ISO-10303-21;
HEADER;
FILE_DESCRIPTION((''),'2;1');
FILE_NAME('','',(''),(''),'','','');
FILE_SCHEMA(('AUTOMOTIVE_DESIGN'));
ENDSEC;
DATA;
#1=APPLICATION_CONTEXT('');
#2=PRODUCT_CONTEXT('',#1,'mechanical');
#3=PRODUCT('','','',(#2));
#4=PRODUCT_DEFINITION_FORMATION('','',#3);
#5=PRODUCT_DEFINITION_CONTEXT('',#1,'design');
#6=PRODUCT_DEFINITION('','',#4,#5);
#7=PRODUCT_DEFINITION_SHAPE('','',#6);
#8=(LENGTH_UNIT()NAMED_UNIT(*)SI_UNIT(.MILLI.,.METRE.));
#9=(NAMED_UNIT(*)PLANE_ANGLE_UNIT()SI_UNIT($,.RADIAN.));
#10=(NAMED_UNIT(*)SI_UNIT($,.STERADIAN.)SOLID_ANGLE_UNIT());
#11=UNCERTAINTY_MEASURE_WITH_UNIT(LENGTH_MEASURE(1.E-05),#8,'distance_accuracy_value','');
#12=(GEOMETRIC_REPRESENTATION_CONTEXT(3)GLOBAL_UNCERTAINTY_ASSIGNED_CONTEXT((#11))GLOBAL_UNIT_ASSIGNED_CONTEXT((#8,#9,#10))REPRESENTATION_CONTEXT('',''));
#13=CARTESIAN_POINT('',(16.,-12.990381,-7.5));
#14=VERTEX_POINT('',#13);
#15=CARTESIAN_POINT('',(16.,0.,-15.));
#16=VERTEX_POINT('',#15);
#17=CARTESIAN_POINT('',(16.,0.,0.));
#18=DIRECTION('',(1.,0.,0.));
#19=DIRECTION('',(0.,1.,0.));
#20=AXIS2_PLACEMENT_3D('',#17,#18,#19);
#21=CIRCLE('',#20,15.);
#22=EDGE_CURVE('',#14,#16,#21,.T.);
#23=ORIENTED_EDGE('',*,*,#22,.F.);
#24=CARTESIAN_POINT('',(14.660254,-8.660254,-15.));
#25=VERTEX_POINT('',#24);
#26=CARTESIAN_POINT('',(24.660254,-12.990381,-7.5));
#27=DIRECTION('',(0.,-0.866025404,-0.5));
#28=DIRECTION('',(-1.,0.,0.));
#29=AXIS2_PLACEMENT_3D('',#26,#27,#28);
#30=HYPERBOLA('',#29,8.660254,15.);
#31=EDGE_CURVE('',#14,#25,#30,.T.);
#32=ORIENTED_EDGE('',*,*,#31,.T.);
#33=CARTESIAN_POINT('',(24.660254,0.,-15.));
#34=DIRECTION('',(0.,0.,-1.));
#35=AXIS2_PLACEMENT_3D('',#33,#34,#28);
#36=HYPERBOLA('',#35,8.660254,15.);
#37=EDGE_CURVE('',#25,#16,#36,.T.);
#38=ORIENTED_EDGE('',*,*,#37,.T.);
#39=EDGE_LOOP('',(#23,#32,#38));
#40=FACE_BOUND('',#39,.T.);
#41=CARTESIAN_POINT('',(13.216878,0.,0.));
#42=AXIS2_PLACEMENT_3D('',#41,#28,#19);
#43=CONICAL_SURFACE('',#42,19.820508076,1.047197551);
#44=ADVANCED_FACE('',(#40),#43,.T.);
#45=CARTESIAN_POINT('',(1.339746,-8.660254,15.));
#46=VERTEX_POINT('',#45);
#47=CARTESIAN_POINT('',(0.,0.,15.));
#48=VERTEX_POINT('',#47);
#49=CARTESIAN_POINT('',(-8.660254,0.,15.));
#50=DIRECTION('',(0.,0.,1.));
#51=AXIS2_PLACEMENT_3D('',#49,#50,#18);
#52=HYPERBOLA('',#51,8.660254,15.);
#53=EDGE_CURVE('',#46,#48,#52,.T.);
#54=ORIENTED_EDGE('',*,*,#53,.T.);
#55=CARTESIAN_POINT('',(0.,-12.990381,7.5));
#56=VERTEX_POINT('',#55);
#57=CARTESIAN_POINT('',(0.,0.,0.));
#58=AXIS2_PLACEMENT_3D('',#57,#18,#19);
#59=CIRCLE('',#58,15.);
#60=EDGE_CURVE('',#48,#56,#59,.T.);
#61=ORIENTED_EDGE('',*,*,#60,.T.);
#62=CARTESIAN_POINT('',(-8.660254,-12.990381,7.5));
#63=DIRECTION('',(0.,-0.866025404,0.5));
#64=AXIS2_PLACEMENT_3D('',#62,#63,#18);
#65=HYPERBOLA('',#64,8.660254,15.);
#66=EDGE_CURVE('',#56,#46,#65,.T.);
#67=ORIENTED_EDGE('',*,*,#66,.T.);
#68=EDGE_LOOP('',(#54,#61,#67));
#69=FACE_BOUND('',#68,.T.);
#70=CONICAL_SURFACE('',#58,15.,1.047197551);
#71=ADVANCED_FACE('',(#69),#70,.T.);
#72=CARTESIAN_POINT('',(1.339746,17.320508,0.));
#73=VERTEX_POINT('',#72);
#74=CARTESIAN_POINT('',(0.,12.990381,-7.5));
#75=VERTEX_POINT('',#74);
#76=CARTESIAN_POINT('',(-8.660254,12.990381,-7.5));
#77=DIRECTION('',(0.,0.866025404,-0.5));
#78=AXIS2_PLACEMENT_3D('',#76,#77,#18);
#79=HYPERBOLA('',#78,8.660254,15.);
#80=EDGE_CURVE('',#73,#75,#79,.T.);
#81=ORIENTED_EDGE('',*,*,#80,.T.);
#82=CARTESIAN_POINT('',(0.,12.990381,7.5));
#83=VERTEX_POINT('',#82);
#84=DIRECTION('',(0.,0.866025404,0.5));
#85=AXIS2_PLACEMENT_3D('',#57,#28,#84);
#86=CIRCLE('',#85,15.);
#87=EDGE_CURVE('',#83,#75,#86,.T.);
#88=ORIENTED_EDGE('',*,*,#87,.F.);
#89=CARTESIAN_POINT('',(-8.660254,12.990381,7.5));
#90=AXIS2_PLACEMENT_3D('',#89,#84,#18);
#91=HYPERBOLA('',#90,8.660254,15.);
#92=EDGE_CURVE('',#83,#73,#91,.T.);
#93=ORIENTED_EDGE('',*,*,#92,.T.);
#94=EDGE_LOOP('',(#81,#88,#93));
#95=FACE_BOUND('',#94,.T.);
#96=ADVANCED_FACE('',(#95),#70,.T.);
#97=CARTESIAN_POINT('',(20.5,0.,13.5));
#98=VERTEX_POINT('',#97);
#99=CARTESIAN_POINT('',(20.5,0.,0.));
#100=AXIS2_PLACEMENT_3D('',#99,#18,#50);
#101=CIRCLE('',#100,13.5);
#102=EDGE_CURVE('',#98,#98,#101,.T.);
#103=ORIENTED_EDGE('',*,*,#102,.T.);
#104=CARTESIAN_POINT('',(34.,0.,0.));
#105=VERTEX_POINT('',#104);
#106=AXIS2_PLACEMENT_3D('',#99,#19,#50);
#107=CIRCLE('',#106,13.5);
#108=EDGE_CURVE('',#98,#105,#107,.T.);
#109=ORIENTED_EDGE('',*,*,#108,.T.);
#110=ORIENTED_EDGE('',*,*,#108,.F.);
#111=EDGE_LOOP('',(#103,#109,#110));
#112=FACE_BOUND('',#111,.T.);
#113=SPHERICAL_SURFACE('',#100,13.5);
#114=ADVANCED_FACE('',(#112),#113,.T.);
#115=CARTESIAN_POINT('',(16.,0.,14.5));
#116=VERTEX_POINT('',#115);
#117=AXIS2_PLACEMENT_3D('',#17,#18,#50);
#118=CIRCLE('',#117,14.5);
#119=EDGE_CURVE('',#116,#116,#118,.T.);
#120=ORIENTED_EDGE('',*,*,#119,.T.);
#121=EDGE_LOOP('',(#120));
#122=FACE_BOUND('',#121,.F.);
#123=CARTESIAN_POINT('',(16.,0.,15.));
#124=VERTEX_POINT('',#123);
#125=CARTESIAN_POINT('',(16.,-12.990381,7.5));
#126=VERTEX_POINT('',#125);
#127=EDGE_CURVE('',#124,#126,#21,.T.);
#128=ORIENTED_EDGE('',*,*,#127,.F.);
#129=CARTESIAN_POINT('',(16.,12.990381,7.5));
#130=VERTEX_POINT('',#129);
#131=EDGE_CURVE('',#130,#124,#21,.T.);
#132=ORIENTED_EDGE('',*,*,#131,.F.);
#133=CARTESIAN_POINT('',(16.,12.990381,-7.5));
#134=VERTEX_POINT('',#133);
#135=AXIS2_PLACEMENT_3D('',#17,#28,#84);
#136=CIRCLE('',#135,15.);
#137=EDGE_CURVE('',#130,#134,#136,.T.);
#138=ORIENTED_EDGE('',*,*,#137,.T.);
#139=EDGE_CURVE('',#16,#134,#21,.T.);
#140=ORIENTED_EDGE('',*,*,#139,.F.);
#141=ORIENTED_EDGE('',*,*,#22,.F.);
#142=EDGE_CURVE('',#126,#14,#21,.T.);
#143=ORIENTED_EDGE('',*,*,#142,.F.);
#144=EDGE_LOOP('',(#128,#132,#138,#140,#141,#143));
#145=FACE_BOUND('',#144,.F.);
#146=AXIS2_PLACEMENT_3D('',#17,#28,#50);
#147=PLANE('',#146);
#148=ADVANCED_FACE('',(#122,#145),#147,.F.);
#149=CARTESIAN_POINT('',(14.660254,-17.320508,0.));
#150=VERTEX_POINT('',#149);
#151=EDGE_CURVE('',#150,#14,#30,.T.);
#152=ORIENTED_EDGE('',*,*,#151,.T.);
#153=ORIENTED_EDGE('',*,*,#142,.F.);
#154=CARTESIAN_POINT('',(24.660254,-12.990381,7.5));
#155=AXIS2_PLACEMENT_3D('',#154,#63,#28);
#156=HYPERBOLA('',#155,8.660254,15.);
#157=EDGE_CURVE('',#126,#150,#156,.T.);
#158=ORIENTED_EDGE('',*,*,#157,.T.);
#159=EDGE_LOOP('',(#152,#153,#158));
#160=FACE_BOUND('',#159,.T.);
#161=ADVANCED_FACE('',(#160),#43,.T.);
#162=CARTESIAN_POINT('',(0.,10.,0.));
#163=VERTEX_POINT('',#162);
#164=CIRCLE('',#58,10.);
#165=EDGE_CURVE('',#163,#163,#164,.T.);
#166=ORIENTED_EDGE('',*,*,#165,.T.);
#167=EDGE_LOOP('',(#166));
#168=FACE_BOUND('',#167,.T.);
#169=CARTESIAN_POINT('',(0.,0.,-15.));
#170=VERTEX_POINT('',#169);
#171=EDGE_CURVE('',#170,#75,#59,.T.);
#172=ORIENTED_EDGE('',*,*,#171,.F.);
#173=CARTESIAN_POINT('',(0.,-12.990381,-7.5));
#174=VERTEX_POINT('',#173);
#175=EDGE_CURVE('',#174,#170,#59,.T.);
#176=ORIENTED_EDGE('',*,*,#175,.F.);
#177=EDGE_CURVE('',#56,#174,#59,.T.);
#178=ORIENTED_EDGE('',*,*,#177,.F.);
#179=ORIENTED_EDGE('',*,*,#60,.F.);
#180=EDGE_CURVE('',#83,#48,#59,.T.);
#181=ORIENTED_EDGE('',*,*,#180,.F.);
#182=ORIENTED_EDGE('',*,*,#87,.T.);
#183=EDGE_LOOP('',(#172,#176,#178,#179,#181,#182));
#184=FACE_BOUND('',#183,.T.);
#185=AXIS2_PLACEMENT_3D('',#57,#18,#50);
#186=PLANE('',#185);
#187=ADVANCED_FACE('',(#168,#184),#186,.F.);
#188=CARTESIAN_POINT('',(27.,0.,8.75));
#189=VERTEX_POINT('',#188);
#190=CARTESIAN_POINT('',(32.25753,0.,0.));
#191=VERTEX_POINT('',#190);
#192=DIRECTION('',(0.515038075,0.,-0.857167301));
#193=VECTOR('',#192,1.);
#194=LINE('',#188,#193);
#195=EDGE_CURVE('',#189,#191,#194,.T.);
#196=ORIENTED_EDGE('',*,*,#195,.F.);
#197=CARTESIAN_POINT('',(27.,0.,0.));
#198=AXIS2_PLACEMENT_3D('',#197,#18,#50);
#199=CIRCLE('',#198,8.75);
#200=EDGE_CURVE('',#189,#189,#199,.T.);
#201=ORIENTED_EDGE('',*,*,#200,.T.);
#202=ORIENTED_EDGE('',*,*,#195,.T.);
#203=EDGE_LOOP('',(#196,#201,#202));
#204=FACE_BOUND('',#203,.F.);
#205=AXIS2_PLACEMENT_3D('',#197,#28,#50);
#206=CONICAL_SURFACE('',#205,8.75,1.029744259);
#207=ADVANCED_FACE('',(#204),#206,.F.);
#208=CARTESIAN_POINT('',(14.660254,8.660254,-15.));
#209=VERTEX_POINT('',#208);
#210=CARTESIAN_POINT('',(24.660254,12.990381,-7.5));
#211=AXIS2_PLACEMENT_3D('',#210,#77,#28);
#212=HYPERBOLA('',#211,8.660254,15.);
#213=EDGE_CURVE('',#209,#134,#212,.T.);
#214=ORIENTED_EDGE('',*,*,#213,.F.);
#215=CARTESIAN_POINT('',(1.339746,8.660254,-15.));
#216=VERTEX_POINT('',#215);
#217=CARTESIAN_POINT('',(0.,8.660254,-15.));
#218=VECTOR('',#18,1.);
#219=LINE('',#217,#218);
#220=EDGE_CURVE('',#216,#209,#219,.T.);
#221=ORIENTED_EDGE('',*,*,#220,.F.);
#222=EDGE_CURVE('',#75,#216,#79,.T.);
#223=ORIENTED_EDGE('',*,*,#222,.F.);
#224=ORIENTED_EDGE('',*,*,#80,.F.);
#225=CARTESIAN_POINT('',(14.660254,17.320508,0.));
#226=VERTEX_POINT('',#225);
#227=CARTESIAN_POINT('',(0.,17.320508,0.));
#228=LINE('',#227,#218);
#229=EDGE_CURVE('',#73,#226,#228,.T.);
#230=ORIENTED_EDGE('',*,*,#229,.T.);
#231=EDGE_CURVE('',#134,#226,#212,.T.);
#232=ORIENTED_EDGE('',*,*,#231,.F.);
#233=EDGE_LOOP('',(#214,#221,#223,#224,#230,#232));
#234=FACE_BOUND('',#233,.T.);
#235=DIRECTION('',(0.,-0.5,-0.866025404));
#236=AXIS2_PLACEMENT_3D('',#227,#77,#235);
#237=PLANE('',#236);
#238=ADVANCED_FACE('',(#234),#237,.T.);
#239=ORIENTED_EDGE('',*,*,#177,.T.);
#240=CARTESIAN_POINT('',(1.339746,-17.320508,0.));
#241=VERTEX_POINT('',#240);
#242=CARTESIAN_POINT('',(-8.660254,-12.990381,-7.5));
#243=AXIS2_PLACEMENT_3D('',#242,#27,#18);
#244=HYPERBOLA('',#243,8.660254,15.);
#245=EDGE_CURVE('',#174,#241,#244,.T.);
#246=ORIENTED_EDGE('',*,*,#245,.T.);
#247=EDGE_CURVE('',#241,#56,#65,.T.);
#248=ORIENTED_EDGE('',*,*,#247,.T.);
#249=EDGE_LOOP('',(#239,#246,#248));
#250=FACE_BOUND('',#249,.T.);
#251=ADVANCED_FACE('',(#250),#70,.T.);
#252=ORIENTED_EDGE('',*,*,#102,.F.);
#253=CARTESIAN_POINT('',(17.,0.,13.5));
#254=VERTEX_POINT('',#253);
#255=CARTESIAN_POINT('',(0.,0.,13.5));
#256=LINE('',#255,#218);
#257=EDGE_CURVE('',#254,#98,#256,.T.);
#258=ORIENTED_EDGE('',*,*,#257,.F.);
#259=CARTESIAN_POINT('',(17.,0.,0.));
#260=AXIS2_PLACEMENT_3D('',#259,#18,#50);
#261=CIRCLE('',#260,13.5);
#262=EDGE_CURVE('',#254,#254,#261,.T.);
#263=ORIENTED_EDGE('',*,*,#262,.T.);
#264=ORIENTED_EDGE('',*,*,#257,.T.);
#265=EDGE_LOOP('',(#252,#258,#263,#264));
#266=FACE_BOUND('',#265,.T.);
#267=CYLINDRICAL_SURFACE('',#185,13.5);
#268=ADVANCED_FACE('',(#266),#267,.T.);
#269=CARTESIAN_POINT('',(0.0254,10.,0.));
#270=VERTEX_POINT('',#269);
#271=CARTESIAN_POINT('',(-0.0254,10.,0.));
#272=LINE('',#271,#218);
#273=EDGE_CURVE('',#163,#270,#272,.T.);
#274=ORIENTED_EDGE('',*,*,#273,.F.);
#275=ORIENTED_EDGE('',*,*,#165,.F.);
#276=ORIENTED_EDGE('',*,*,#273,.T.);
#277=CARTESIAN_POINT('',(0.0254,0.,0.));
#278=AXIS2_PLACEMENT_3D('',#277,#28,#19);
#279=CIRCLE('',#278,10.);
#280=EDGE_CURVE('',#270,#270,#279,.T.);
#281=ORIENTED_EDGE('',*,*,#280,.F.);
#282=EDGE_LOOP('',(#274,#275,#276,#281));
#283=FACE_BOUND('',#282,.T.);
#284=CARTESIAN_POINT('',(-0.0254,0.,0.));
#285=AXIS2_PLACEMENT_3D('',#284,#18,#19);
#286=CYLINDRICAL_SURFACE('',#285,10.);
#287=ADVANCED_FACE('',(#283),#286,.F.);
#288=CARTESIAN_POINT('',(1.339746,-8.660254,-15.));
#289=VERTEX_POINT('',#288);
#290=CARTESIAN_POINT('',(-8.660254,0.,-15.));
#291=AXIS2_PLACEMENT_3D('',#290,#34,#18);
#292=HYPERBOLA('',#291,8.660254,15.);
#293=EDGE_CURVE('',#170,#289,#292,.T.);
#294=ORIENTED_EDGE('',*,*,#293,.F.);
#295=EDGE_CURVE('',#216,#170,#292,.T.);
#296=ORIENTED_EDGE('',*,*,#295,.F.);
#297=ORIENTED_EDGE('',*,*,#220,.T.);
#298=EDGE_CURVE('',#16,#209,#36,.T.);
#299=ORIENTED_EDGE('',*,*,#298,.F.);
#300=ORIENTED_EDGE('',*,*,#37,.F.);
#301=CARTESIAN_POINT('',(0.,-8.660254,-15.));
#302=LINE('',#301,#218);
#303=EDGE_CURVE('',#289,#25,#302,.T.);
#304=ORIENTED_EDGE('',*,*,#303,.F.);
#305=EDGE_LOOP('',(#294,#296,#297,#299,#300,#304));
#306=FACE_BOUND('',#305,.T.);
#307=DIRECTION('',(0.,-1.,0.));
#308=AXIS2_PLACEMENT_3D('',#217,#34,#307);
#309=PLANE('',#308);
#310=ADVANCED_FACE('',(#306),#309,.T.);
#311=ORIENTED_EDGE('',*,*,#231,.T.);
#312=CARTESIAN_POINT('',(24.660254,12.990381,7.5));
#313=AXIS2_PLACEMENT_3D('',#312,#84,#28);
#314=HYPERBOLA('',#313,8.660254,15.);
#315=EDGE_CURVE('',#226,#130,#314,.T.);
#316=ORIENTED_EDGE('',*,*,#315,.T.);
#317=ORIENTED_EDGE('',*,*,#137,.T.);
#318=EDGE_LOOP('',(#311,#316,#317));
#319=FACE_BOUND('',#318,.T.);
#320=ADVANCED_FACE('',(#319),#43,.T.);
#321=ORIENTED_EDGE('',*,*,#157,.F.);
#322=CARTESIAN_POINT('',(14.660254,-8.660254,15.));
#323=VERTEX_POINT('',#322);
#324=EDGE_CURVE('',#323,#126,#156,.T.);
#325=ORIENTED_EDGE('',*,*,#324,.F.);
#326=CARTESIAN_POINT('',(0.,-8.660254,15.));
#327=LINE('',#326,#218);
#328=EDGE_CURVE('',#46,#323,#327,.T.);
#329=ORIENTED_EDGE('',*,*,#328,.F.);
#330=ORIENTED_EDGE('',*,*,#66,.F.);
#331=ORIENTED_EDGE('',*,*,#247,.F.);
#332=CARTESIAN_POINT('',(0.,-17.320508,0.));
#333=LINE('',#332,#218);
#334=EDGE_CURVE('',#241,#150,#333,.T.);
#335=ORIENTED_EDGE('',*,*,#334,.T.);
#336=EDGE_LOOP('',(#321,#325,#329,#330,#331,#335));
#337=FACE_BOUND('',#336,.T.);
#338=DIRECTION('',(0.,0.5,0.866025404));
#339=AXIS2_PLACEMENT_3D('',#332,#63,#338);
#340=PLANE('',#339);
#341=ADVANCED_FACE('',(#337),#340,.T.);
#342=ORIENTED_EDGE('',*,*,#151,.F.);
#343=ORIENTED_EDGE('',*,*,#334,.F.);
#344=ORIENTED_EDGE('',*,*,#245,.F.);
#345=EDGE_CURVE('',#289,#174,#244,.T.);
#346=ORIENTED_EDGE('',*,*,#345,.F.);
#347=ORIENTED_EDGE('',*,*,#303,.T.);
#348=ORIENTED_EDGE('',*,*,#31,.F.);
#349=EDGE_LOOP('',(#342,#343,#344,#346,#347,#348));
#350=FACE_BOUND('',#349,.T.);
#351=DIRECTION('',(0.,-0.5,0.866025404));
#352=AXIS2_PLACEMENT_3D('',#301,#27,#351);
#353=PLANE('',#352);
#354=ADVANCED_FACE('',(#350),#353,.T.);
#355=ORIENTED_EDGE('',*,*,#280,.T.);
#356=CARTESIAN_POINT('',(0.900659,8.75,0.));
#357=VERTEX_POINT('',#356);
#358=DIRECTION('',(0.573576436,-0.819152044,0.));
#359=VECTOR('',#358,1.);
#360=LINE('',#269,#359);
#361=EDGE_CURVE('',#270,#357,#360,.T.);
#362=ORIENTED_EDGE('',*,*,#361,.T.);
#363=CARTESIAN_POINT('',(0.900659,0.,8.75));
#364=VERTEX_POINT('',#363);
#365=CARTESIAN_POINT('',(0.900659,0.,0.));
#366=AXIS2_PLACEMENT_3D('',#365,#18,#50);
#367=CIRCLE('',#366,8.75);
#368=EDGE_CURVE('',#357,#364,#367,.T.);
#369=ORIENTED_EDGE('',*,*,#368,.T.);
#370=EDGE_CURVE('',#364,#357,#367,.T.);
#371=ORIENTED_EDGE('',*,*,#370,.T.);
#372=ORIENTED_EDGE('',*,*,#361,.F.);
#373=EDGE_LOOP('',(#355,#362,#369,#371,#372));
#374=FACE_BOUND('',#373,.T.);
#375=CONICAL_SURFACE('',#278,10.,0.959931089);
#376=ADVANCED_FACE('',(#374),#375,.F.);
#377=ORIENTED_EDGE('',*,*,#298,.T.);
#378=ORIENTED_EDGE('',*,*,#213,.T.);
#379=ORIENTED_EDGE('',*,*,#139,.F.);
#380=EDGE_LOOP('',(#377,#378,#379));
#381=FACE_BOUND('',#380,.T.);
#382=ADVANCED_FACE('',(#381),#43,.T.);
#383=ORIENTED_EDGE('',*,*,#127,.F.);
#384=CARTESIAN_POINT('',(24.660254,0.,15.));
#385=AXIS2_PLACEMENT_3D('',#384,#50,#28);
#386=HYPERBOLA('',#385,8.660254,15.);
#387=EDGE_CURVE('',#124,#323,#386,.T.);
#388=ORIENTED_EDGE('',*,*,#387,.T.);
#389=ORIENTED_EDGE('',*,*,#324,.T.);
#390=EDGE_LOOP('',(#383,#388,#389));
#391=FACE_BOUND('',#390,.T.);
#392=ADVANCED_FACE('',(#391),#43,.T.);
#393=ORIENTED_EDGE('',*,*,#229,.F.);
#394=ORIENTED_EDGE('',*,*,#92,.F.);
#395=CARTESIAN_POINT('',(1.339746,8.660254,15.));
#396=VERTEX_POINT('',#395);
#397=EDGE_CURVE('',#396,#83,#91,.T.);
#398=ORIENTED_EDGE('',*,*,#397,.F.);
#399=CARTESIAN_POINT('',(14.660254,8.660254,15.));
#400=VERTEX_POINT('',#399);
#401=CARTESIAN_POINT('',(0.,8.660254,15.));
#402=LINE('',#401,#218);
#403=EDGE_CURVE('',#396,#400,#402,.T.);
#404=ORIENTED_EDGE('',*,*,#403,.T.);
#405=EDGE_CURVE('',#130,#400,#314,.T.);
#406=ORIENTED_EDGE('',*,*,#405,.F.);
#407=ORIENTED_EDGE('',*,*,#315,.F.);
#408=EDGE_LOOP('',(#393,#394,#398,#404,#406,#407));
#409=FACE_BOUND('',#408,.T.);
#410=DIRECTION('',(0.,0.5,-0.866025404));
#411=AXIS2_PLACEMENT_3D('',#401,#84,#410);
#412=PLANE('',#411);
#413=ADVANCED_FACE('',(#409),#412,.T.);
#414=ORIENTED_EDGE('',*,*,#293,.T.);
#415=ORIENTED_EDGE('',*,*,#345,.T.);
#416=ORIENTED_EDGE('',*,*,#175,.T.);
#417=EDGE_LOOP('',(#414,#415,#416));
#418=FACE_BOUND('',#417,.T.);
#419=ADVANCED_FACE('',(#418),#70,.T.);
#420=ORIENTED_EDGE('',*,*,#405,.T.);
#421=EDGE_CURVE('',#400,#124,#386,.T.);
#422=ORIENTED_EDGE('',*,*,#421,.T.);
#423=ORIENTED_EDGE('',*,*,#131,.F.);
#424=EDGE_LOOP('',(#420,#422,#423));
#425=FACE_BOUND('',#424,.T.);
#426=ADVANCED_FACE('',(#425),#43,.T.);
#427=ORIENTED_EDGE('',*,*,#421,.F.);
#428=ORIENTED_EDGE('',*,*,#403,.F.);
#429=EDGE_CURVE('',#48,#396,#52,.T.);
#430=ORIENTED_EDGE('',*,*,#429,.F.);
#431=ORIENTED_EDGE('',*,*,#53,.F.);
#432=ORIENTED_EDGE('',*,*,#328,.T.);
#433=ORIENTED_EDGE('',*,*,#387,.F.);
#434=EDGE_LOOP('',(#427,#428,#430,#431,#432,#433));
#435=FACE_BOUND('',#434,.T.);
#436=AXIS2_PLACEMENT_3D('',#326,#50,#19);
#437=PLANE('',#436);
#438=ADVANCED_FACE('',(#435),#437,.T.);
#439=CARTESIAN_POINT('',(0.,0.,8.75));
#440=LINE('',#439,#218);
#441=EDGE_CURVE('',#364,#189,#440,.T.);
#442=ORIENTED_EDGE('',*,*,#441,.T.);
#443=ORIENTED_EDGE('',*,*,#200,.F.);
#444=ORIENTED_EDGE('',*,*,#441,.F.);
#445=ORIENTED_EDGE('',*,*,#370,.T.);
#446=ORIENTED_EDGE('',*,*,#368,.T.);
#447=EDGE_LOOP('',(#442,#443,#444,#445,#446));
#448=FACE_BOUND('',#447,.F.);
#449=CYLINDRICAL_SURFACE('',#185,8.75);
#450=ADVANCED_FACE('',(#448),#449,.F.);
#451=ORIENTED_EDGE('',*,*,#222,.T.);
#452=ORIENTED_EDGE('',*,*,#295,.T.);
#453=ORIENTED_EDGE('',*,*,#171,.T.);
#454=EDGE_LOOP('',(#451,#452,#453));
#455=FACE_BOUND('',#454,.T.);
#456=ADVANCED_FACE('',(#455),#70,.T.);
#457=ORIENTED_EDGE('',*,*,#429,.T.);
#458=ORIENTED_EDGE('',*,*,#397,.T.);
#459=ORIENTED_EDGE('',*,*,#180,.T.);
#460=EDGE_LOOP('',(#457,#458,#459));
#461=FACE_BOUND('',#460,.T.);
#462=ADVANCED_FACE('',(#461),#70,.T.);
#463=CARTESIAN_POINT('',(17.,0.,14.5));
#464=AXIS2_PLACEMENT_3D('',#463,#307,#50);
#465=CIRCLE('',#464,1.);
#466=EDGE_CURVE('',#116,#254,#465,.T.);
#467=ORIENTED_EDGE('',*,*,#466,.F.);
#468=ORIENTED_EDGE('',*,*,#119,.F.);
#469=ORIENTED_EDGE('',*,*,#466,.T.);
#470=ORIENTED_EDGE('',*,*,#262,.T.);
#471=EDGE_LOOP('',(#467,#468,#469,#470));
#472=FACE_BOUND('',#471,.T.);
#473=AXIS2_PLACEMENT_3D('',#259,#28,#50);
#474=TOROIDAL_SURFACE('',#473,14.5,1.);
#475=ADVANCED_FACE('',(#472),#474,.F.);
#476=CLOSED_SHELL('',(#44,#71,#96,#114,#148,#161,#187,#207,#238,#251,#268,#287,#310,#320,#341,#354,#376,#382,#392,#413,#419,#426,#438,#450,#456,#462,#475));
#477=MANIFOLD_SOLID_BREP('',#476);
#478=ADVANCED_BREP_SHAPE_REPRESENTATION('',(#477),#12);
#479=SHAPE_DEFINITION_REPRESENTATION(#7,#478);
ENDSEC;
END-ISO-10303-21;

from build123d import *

# Parameters (mm, degrees)
BASENUT_DEPTH = 16
DOMEFILLET_R  = 1


with BuildPart() as part:
    # BaseNutSke → BaseNut (new body)
    with BuildSketch(Plane(origin=(0, 0, 0), x_dir=(0, 0, -1), z_dir=(1, 0, 0))):
        Polygon((15, 8.660254038), (15, -8.660254038), (0, -17.320508076), (-15, -8.660254038), (-15, 8.660254038), (0, 17.320508076), align=None)
    extrude(amount=BASENUT_DEPTH)

    # DomeSke → Dome (revolve)
    with BuildSketch(Plane.XY, mode=Mode.PRIVATE) as dome_sk:
        with BuildLine():
            Line((34, 0), (0, 0))
            Line((0, 0), (0, 13.5))
            Line((0, 13.5), (20.5, 13.5))
            ThreePointArc((20.5, 13.5), (30.045941546, 9.545941546), (34, 0))
        make_face()
    revolve(dome_sk.sketch.rotate(Axis((0, 0, 0), (1, 0, 0)), 90), axis=Axis((0, 0, 0), (1, 0, 0)))

    # Sketch4 → DoubleChamfer (revolve, cut)
    with BuildSketch(Plane.XY):
        Polygon((0, 15), (2.783121635, 19.820508076), (13.216878365, 19.820508076), (16, 15), (18, 15), (18, 30), (-2, 30), (-2, 15), align=None)
    revolve(axis=Axis((0, 0, 0), (1, 0, 0)), mode=Mode.SUBTRACT)

    # TapDriSke → TapDrill (revolve, cut)
    with BuildSketch(Plane.XY, mode=Mode.PRIVATE) as tapdrill_sk:
        Polygon((0, 8.75), (27, 8.75), (32.257530416, 0), (0, 0), align=None)
    revolve(tapdrill_sk.sketch.rotate(Axis((0, 0, 0), (1, 0, 0)), 90), axis=Axis((0, 0, 0), (1, 0, 0)), mode=Mode.SUBTRACT)

    # EndChamferSketch → EndChamfer (revolve, cut)
    with BuildSketch(Plane.XY):
        Polygon((-0.0254, 10), (0.0254, 10), (0.988185365, 8.625), (-0.0254, 8.625), align=None)
    revolve(axis=Axis((0, 0, 0), (-1, 0, 0)), mode=Mode.SUBTRACT)

    # DomeFillet
    domefillet_edges = [part.edges().sort_by_distance(p)[0] for p in [
        (16, 0, -13.5),
    ]]
    fillet(domefillet_edges, radius=DOMEFILLET_R)


solid = part.part
